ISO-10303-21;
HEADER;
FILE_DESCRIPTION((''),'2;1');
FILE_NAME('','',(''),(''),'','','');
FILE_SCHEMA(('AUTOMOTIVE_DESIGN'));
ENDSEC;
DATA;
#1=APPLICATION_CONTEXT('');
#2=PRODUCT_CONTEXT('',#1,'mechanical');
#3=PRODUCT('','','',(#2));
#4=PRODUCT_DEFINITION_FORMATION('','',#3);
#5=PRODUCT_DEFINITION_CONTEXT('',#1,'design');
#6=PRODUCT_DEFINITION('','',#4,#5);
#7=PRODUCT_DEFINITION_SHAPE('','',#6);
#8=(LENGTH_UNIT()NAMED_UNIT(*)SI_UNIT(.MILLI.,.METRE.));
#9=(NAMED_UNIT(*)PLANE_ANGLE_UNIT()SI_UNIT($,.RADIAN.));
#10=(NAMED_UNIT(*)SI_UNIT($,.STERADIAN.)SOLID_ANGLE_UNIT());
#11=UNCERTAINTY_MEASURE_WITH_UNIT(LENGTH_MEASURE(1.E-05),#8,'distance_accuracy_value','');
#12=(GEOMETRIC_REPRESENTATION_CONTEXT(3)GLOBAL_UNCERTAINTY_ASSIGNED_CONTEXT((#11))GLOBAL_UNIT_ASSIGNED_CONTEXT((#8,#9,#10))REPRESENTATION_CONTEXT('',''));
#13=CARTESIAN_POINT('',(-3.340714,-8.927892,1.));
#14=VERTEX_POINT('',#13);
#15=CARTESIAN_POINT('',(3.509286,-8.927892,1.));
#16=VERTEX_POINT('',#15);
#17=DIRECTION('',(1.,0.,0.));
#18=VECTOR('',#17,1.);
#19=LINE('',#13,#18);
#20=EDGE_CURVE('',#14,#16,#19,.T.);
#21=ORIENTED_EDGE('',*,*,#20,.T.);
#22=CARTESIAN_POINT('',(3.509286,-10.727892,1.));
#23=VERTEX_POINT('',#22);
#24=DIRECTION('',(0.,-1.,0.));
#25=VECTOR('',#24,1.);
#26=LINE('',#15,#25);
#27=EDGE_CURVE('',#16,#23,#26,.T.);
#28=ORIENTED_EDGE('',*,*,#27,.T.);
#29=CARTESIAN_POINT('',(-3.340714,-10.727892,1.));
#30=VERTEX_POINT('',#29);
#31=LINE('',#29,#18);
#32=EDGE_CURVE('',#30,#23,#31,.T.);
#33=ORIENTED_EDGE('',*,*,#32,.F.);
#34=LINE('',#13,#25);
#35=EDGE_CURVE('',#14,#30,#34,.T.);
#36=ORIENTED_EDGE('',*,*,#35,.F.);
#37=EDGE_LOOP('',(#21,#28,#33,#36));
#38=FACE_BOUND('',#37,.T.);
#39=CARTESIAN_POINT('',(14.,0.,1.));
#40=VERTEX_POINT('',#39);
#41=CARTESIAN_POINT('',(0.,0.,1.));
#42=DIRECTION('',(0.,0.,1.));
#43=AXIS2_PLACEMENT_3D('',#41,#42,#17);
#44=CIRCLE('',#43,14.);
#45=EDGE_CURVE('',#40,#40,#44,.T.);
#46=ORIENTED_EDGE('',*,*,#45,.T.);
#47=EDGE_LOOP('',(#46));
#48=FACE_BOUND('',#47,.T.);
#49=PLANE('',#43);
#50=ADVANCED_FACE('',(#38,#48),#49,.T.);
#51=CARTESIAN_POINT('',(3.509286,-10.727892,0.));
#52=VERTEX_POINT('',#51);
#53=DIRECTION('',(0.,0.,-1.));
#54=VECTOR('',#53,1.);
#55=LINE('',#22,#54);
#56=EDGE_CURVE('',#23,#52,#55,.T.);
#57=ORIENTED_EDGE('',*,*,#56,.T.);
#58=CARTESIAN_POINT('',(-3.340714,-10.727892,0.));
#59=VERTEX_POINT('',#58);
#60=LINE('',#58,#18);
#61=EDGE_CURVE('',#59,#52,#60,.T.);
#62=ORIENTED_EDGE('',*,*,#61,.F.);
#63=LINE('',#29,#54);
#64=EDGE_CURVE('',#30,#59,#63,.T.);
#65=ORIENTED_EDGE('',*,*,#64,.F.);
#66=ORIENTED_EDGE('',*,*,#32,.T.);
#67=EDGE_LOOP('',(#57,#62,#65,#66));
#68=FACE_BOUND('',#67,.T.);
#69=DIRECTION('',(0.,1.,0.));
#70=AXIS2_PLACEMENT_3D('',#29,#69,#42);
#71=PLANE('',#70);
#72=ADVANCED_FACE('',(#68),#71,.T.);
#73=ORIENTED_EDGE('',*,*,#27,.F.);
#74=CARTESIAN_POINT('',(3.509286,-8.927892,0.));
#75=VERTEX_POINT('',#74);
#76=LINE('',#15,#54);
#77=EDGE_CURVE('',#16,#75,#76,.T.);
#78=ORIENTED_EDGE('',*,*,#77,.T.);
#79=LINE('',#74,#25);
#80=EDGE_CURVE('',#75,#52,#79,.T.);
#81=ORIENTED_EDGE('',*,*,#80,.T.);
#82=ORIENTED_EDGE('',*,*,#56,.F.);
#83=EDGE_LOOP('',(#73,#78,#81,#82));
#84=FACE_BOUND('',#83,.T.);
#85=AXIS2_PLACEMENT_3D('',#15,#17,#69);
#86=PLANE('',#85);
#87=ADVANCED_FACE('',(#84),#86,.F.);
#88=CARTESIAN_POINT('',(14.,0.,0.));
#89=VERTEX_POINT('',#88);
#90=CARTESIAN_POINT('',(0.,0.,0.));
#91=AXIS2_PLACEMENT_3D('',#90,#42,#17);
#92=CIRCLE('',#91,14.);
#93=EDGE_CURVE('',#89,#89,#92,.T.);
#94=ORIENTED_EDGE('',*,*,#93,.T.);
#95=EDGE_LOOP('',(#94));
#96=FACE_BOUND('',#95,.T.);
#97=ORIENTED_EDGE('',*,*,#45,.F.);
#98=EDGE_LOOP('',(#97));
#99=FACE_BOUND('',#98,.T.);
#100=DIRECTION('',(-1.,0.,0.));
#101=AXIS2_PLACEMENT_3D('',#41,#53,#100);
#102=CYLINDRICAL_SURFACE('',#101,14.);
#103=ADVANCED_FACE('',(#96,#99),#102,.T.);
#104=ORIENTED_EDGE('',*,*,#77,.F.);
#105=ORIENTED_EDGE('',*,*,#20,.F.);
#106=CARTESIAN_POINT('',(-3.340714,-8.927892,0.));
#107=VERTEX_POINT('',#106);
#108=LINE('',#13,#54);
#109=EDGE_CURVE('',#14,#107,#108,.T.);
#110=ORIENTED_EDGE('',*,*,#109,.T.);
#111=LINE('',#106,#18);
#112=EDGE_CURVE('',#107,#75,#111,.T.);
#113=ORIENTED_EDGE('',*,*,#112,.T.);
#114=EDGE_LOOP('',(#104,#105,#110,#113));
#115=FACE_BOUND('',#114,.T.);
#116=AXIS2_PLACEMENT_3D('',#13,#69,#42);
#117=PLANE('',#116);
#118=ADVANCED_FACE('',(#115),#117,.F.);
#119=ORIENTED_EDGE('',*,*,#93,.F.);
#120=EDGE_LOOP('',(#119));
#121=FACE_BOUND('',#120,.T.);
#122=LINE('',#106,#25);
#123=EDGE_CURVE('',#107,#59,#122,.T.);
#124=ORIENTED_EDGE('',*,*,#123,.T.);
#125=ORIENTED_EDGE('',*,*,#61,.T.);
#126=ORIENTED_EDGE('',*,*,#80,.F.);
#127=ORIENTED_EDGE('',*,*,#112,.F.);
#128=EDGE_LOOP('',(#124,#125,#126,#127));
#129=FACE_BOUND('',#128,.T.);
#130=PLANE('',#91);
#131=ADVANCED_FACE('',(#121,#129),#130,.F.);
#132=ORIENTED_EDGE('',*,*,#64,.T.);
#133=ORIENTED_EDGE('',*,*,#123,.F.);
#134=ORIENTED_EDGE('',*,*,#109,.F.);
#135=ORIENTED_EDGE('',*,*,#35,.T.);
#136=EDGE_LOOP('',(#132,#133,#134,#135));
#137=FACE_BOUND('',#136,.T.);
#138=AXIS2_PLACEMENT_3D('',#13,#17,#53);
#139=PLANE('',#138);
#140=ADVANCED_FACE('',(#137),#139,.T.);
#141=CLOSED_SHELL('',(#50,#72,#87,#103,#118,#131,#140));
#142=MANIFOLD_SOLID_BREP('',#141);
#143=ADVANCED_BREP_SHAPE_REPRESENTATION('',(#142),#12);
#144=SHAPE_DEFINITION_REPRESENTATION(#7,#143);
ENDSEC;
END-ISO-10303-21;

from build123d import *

# Parameters (mm, degrees)
SKETCH1_R           = 14
SKETCH1_W           = 6.85
SKETCH1_H           = 1.8
BOSS_EXTRUDE4_DEPTH = 1


with BuildPart() as part:
    # Sketch1 → Boss-Extrude4 (new body)
    with BuildSketch(Plane.XY):
        Circle(SKETCH1_R)
        with Locations((0.084285819, -9.827892173)):
            Rectangle(SKETCH1_W, SKETCH1_H, mode=Mode.SUBTRACT)
    extrude(amount=BOSS_EXTRUDE4_DEPTH)


solid = part.part
